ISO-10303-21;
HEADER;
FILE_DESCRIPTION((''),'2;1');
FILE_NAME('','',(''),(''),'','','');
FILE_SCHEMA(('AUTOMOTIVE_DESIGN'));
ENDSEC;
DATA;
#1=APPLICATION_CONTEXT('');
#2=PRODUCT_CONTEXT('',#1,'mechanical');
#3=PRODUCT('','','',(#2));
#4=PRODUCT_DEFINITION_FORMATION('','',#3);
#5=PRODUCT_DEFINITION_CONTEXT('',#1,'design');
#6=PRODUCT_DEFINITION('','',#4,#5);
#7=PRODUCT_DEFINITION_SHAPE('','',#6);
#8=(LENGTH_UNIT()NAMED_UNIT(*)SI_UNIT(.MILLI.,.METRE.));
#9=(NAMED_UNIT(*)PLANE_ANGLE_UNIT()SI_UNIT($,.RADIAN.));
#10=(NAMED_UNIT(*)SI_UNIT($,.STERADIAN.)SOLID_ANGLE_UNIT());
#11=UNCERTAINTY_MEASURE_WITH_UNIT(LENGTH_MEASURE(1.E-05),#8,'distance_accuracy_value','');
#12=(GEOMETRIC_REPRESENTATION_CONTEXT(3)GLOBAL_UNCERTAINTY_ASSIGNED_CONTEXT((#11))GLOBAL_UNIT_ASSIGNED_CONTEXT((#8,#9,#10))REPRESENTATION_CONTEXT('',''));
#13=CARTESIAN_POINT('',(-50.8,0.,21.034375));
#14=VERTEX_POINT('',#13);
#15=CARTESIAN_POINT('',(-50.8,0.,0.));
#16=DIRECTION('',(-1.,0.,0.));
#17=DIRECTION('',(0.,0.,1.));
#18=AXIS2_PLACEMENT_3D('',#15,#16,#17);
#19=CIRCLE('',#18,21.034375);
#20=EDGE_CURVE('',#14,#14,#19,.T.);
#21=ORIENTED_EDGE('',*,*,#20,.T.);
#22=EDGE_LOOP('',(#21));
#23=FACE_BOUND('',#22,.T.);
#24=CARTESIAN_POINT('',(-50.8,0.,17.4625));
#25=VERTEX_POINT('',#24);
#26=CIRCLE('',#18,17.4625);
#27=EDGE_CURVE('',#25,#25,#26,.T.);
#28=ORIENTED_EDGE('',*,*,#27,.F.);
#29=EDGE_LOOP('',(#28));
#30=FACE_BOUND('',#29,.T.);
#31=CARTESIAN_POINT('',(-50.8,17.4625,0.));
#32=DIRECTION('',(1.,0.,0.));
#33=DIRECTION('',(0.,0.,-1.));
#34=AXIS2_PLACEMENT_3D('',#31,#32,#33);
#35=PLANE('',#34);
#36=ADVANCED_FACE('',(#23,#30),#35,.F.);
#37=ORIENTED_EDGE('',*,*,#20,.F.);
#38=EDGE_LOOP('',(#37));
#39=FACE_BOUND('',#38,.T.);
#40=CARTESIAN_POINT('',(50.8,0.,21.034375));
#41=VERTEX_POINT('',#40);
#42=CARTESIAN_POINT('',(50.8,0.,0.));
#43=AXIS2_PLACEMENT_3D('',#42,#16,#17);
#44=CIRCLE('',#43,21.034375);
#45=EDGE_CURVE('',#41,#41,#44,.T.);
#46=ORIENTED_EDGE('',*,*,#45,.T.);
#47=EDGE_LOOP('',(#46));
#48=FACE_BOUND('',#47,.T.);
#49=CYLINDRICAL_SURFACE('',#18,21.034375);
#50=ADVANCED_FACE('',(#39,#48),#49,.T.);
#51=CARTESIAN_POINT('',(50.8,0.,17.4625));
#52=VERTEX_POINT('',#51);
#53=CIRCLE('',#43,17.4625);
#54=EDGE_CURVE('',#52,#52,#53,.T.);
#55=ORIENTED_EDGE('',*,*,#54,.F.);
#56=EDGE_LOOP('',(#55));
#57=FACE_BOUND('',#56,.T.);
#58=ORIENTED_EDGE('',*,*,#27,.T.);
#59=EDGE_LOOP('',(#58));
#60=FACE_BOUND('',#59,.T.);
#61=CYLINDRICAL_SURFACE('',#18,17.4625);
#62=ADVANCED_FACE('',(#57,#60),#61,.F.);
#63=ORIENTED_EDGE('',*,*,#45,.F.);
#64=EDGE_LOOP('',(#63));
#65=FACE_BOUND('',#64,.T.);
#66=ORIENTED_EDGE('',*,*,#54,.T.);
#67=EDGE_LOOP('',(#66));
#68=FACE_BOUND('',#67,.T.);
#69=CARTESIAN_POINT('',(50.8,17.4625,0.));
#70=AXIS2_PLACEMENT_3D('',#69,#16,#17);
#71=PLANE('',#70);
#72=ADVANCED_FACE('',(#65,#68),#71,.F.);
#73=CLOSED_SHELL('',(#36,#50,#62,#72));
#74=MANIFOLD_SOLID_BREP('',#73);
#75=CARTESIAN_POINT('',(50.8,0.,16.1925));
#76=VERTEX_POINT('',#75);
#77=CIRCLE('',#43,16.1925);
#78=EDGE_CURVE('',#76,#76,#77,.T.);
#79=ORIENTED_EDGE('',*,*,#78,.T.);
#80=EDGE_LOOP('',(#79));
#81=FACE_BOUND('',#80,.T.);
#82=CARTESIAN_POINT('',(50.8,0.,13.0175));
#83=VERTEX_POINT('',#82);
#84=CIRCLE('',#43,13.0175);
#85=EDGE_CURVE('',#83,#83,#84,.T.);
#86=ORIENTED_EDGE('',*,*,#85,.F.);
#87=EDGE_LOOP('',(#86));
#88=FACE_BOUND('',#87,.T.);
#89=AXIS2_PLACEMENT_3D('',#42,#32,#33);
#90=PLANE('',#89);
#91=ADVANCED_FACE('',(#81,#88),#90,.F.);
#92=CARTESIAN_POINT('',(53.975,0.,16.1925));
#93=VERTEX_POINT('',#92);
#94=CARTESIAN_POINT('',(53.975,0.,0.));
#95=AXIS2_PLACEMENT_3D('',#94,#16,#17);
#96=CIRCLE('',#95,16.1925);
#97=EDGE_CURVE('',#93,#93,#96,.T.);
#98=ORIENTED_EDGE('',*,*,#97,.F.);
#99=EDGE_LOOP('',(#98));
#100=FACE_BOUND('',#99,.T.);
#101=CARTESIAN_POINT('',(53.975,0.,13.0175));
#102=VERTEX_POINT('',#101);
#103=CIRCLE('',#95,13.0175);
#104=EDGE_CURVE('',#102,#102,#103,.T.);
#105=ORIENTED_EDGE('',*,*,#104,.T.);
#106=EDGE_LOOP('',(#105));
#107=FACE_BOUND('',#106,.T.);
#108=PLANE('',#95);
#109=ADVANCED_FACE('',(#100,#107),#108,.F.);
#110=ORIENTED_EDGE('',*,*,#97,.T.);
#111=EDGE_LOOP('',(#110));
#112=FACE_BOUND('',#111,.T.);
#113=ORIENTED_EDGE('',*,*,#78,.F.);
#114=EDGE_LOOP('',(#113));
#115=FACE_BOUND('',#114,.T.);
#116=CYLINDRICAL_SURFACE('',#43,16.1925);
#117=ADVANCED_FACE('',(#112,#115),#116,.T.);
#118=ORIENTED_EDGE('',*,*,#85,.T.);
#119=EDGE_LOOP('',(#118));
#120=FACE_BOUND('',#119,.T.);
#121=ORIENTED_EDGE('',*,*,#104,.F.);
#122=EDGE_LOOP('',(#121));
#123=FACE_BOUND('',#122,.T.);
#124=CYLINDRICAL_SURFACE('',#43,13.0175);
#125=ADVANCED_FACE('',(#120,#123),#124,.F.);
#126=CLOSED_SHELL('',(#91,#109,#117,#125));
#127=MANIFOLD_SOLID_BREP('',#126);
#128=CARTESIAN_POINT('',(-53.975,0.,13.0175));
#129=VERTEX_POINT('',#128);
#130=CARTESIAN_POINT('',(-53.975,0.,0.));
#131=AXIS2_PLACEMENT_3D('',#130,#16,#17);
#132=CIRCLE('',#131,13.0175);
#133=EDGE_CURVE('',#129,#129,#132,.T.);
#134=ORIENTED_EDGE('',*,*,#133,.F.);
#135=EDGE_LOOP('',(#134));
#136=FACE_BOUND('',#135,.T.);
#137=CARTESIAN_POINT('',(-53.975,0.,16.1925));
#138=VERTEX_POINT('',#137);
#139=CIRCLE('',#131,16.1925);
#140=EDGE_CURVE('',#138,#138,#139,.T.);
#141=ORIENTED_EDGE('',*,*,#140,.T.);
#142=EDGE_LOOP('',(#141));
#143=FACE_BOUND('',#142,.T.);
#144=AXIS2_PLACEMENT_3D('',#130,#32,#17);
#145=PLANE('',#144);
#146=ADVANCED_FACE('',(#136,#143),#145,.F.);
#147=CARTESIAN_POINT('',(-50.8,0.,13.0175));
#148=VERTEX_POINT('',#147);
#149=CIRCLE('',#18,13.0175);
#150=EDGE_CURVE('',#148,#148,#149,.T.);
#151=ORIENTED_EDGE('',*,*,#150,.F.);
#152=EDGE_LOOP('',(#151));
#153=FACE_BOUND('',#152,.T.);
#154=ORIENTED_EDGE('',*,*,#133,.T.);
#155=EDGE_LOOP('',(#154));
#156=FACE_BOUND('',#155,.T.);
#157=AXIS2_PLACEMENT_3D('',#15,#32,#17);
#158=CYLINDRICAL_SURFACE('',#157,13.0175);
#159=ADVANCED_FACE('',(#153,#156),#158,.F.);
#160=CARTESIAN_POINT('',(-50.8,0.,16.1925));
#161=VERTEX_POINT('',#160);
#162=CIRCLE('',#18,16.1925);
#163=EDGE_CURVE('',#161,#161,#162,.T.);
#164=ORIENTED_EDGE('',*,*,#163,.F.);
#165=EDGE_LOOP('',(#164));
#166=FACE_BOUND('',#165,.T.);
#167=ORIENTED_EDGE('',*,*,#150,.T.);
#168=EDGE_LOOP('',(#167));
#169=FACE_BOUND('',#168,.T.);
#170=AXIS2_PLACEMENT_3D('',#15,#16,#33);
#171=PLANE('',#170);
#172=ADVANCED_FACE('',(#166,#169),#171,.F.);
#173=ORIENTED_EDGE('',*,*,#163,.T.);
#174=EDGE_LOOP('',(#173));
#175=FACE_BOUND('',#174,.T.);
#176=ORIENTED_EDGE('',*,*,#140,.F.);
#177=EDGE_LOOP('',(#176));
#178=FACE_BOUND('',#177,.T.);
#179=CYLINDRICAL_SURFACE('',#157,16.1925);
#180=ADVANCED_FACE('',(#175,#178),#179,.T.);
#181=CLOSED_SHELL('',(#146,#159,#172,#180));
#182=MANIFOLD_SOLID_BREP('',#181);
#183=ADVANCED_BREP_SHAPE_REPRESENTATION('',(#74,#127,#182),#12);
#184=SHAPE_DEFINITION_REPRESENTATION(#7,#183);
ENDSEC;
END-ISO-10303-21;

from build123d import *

# Parameters (mm, degrees)
SKETCH1_W = 101.6
SKETCH1_H = 3.571875
SKETCH2_W = 3.175
SKETCH2_H = 3.175


with BuildPart() as part:
    # Sketch1 → Revolve1 (revolve)
    with BuildSketch(Plane.XY, mode=Mode.PRIVATE) as revolve1_sk:
        with Locations((0, 19.2484375)):
            Rectangle(SKETCH1_W, SKETCH1_H)
    revolve(revolve1_sk.sketch.rotate(Axis((-50.8, 0, 0), (1, 0, 0)), 90), axis=Axis((-50.8, 0, 0), (1, 0, 0)))


with BuildPart() as body_2:
    # Sketch2 → Revolve2 (revolve)
    with BuildSketch(Plane.XY, mode=Mode.PRIVATE) as revolve2_sk:
        with Locations((52.3875, 14.605)):
            Rectangle(SKETCH2_W, SKETCH2_H)
    revolve(revolve2_sk.sketch.rotate(Axis((50.8, 0, 0), (1, 0, 0)), 90), axis=Axis((50.8, 0, 0), (1, 0, 0)))


with BuildPart() as body_3:
    # Mirror2: mirrored copy
    add(body_2.part.mirror(Plane(origin=(0, 0, 0), x_dir=(0, 0, 1), z_dir=(1, 0, 0))))


solid = Compound([part.part, body_2.part, body_3.part])
